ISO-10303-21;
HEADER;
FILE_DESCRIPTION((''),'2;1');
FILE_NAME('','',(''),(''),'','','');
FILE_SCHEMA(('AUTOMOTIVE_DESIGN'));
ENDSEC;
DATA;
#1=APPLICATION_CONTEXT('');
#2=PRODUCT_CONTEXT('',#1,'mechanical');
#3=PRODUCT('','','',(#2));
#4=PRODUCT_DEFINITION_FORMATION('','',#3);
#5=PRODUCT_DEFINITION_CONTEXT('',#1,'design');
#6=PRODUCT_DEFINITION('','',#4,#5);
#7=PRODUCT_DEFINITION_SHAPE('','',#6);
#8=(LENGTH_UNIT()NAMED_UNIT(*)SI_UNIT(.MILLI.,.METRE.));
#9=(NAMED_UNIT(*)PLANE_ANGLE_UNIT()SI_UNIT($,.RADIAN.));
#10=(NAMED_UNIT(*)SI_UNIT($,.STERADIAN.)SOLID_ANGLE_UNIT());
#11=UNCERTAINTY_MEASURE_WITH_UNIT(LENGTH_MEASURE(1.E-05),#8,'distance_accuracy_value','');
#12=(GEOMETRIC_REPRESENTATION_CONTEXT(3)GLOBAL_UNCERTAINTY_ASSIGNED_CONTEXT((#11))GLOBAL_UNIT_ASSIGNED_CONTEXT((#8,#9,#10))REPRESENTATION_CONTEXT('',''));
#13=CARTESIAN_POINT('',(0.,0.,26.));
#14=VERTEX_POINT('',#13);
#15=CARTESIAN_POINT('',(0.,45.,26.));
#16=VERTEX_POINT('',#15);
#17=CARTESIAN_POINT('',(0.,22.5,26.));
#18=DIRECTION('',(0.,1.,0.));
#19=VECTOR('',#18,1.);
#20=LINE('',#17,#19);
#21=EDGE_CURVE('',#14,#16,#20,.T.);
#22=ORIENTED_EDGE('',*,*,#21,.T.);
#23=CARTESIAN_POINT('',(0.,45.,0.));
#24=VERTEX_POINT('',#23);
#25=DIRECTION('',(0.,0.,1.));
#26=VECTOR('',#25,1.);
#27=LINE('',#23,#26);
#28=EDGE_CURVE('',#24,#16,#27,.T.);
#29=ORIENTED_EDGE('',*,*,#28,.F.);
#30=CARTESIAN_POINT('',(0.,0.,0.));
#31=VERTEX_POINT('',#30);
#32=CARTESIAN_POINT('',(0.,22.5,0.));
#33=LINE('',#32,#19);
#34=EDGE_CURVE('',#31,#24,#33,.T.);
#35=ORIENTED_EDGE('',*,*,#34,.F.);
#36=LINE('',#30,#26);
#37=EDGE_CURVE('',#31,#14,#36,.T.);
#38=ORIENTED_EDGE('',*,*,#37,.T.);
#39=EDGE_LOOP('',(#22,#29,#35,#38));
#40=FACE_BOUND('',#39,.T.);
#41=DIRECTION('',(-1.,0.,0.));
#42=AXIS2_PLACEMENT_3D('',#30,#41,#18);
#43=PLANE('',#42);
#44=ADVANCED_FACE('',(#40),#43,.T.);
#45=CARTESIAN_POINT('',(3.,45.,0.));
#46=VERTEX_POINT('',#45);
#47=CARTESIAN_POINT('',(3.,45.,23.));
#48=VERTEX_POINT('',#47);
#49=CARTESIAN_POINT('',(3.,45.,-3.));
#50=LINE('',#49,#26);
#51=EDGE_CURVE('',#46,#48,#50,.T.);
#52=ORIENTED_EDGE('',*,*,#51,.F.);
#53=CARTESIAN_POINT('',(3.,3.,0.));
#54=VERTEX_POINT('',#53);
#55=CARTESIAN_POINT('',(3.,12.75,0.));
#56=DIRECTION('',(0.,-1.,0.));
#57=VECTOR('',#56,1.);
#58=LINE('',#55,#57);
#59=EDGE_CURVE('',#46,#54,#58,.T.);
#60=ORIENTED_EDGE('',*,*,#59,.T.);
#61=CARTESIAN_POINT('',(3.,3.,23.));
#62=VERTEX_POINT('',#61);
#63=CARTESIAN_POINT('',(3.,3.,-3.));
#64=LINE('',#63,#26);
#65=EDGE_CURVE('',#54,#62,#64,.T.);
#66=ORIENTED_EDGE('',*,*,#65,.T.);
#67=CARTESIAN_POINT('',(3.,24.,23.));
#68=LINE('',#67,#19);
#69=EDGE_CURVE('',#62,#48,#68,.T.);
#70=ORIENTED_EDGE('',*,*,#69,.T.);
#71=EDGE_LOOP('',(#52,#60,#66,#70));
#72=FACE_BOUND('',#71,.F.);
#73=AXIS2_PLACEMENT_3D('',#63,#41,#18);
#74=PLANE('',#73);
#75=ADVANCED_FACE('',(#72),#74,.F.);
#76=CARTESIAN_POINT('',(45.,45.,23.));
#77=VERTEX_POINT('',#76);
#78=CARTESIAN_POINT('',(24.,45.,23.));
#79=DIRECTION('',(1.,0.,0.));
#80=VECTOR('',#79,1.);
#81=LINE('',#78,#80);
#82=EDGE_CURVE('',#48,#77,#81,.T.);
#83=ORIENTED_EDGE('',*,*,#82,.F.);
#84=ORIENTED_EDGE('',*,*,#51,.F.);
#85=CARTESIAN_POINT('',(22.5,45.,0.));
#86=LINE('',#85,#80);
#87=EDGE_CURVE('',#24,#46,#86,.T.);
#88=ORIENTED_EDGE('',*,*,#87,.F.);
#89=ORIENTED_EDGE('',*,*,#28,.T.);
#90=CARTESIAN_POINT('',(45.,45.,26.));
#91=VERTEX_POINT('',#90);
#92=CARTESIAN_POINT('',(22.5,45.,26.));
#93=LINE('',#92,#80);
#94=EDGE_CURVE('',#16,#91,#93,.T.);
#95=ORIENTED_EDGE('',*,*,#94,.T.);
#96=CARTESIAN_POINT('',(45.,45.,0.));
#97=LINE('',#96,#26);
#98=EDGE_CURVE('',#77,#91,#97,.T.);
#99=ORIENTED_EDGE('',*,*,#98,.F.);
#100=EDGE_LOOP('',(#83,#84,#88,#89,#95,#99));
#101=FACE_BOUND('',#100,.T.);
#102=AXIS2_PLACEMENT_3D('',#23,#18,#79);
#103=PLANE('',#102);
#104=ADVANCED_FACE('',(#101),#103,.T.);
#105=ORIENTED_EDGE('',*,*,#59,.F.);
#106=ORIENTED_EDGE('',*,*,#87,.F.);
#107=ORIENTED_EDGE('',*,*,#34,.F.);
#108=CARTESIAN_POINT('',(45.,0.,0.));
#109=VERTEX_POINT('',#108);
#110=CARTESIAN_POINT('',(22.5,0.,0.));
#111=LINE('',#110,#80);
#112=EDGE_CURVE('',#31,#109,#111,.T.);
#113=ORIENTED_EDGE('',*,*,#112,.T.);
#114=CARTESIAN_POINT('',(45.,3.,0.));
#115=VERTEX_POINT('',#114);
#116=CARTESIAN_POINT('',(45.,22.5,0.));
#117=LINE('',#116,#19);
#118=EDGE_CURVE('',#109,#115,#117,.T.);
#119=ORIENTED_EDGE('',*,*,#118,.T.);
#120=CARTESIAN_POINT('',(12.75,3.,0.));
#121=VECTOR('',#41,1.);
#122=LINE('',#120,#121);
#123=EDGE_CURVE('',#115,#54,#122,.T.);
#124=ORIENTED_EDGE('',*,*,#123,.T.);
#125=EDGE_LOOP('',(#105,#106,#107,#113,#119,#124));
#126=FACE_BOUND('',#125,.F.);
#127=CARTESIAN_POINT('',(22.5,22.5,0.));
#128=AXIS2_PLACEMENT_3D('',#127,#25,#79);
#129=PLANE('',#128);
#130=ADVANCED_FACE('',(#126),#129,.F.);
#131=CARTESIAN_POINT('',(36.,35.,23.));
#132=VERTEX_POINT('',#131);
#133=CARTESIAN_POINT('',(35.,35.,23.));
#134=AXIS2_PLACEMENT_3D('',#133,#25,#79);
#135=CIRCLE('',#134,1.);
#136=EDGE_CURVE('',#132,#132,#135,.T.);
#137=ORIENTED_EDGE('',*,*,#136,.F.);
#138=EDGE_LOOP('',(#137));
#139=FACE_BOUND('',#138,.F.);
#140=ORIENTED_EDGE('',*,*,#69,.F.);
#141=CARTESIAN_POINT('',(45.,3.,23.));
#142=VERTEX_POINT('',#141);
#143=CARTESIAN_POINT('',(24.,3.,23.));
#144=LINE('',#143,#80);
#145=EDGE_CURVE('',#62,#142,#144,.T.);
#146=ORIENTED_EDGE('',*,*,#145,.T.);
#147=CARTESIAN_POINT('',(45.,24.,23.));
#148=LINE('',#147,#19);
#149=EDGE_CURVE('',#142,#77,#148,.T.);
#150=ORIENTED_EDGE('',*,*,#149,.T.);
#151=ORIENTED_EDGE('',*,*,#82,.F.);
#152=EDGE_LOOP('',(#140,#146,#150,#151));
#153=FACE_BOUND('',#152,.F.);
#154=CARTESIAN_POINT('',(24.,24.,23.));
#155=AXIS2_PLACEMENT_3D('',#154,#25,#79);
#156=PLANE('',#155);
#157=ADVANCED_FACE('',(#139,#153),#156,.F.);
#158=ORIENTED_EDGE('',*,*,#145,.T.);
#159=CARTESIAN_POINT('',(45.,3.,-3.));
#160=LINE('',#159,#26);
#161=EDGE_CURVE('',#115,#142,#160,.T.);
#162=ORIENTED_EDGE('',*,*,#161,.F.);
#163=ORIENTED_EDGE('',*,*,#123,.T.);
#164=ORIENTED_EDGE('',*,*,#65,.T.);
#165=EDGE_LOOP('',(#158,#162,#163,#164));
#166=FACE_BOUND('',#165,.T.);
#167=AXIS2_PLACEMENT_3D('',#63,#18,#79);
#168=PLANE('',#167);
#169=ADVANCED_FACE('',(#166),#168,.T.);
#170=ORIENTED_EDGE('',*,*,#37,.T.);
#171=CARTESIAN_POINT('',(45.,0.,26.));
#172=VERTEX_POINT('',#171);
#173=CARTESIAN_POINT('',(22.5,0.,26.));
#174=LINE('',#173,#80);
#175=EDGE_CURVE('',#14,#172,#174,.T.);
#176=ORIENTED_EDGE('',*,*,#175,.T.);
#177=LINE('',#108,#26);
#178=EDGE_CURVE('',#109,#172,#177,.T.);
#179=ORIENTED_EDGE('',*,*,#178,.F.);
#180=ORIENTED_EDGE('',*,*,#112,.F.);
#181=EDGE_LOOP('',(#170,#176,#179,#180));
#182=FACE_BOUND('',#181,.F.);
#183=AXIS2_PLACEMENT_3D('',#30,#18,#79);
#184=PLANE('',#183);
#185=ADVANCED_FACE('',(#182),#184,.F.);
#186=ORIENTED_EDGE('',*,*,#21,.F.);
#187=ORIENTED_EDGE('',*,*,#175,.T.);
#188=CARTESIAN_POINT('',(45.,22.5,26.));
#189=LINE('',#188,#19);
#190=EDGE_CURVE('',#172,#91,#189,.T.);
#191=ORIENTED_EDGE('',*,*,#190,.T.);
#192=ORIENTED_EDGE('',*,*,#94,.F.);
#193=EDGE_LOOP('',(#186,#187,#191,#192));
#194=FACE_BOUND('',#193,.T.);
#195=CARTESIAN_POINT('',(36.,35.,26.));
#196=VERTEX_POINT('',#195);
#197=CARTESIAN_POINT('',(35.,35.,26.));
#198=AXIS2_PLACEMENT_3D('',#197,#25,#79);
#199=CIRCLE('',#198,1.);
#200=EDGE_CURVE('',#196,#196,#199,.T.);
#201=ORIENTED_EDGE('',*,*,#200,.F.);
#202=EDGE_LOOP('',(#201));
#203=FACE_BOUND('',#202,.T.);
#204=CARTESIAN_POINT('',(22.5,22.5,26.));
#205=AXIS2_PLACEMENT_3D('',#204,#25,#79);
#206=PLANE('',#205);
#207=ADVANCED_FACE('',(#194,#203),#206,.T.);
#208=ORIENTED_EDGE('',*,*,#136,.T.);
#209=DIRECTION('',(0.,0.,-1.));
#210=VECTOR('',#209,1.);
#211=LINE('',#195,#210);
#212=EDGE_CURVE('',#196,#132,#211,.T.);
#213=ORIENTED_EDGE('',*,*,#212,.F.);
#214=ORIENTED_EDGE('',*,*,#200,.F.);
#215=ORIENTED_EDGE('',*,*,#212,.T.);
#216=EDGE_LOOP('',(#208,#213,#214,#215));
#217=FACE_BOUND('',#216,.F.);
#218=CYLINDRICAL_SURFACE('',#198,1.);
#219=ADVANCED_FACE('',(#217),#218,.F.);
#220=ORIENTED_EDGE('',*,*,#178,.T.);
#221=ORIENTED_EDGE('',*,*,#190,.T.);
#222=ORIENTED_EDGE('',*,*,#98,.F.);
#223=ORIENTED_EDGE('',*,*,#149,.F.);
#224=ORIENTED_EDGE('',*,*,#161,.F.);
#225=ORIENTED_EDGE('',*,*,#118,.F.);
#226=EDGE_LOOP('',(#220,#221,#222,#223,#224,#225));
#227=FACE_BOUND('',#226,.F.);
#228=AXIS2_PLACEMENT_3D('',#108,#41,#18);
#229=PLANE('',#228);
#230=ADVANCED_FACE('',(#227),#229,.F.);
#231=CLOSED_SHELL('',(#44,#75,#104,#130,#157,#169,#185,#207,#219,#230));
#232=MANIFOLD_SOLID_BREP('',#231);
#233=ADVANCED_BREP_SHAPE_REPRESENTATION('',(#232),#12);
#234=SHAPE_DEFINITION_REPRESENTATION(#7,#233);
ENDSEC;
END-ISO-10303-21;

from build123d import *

# Parameters (mm, degrees)
SKETCH001_W  = 42
SKETCH001_H  = 42
PAD001_DEPTH = 26
SKETCH_W     = 45
SKETCH_H     = 45
PAD_DEPTH    = 26
SKETCH002_R  = 1
POCKET_DEPTH = 26.001


with BuildPart() as batoque:
    # Sketch001 → Pad001 (new body)
    with BuildSketch(Plane.XY):
        with Locations((21, 21)):
            Rectangle(SKETCH001_W, SKETCH001_H)
    extrude(amount=PAD001_DEPTH)


with BuildPart() as batoque_1:
    # Body001 placement: moved
    add(batoque.part.moved(Location((3, 3, -3))))


with BuildPart() as gabarito:
    # Sketch → Pad (new body)
    with BuildSketch(Plane.XY):
        with Locations((22.5, 22.5)):
            Rectangle(SKETCH_W, SKETCH_H)
    extrude(amount=PAD_DEPTH)

    # Boolean: cut Batoque
    add(batoque_1.part, mode=Mode.SUBTRACT)

    # Sketch002 (on Face6 of Boolean) → Pocket (cut, through all)
    with BuildSketch(Plane.XY.offset(26)):
        with Locations((35, 35)):
            Circle(SKETCH002_R)
    extrude(amount=-POCKET_DEPTH, mode=Mode.SUBTRACT)


solid = gabarito.part
